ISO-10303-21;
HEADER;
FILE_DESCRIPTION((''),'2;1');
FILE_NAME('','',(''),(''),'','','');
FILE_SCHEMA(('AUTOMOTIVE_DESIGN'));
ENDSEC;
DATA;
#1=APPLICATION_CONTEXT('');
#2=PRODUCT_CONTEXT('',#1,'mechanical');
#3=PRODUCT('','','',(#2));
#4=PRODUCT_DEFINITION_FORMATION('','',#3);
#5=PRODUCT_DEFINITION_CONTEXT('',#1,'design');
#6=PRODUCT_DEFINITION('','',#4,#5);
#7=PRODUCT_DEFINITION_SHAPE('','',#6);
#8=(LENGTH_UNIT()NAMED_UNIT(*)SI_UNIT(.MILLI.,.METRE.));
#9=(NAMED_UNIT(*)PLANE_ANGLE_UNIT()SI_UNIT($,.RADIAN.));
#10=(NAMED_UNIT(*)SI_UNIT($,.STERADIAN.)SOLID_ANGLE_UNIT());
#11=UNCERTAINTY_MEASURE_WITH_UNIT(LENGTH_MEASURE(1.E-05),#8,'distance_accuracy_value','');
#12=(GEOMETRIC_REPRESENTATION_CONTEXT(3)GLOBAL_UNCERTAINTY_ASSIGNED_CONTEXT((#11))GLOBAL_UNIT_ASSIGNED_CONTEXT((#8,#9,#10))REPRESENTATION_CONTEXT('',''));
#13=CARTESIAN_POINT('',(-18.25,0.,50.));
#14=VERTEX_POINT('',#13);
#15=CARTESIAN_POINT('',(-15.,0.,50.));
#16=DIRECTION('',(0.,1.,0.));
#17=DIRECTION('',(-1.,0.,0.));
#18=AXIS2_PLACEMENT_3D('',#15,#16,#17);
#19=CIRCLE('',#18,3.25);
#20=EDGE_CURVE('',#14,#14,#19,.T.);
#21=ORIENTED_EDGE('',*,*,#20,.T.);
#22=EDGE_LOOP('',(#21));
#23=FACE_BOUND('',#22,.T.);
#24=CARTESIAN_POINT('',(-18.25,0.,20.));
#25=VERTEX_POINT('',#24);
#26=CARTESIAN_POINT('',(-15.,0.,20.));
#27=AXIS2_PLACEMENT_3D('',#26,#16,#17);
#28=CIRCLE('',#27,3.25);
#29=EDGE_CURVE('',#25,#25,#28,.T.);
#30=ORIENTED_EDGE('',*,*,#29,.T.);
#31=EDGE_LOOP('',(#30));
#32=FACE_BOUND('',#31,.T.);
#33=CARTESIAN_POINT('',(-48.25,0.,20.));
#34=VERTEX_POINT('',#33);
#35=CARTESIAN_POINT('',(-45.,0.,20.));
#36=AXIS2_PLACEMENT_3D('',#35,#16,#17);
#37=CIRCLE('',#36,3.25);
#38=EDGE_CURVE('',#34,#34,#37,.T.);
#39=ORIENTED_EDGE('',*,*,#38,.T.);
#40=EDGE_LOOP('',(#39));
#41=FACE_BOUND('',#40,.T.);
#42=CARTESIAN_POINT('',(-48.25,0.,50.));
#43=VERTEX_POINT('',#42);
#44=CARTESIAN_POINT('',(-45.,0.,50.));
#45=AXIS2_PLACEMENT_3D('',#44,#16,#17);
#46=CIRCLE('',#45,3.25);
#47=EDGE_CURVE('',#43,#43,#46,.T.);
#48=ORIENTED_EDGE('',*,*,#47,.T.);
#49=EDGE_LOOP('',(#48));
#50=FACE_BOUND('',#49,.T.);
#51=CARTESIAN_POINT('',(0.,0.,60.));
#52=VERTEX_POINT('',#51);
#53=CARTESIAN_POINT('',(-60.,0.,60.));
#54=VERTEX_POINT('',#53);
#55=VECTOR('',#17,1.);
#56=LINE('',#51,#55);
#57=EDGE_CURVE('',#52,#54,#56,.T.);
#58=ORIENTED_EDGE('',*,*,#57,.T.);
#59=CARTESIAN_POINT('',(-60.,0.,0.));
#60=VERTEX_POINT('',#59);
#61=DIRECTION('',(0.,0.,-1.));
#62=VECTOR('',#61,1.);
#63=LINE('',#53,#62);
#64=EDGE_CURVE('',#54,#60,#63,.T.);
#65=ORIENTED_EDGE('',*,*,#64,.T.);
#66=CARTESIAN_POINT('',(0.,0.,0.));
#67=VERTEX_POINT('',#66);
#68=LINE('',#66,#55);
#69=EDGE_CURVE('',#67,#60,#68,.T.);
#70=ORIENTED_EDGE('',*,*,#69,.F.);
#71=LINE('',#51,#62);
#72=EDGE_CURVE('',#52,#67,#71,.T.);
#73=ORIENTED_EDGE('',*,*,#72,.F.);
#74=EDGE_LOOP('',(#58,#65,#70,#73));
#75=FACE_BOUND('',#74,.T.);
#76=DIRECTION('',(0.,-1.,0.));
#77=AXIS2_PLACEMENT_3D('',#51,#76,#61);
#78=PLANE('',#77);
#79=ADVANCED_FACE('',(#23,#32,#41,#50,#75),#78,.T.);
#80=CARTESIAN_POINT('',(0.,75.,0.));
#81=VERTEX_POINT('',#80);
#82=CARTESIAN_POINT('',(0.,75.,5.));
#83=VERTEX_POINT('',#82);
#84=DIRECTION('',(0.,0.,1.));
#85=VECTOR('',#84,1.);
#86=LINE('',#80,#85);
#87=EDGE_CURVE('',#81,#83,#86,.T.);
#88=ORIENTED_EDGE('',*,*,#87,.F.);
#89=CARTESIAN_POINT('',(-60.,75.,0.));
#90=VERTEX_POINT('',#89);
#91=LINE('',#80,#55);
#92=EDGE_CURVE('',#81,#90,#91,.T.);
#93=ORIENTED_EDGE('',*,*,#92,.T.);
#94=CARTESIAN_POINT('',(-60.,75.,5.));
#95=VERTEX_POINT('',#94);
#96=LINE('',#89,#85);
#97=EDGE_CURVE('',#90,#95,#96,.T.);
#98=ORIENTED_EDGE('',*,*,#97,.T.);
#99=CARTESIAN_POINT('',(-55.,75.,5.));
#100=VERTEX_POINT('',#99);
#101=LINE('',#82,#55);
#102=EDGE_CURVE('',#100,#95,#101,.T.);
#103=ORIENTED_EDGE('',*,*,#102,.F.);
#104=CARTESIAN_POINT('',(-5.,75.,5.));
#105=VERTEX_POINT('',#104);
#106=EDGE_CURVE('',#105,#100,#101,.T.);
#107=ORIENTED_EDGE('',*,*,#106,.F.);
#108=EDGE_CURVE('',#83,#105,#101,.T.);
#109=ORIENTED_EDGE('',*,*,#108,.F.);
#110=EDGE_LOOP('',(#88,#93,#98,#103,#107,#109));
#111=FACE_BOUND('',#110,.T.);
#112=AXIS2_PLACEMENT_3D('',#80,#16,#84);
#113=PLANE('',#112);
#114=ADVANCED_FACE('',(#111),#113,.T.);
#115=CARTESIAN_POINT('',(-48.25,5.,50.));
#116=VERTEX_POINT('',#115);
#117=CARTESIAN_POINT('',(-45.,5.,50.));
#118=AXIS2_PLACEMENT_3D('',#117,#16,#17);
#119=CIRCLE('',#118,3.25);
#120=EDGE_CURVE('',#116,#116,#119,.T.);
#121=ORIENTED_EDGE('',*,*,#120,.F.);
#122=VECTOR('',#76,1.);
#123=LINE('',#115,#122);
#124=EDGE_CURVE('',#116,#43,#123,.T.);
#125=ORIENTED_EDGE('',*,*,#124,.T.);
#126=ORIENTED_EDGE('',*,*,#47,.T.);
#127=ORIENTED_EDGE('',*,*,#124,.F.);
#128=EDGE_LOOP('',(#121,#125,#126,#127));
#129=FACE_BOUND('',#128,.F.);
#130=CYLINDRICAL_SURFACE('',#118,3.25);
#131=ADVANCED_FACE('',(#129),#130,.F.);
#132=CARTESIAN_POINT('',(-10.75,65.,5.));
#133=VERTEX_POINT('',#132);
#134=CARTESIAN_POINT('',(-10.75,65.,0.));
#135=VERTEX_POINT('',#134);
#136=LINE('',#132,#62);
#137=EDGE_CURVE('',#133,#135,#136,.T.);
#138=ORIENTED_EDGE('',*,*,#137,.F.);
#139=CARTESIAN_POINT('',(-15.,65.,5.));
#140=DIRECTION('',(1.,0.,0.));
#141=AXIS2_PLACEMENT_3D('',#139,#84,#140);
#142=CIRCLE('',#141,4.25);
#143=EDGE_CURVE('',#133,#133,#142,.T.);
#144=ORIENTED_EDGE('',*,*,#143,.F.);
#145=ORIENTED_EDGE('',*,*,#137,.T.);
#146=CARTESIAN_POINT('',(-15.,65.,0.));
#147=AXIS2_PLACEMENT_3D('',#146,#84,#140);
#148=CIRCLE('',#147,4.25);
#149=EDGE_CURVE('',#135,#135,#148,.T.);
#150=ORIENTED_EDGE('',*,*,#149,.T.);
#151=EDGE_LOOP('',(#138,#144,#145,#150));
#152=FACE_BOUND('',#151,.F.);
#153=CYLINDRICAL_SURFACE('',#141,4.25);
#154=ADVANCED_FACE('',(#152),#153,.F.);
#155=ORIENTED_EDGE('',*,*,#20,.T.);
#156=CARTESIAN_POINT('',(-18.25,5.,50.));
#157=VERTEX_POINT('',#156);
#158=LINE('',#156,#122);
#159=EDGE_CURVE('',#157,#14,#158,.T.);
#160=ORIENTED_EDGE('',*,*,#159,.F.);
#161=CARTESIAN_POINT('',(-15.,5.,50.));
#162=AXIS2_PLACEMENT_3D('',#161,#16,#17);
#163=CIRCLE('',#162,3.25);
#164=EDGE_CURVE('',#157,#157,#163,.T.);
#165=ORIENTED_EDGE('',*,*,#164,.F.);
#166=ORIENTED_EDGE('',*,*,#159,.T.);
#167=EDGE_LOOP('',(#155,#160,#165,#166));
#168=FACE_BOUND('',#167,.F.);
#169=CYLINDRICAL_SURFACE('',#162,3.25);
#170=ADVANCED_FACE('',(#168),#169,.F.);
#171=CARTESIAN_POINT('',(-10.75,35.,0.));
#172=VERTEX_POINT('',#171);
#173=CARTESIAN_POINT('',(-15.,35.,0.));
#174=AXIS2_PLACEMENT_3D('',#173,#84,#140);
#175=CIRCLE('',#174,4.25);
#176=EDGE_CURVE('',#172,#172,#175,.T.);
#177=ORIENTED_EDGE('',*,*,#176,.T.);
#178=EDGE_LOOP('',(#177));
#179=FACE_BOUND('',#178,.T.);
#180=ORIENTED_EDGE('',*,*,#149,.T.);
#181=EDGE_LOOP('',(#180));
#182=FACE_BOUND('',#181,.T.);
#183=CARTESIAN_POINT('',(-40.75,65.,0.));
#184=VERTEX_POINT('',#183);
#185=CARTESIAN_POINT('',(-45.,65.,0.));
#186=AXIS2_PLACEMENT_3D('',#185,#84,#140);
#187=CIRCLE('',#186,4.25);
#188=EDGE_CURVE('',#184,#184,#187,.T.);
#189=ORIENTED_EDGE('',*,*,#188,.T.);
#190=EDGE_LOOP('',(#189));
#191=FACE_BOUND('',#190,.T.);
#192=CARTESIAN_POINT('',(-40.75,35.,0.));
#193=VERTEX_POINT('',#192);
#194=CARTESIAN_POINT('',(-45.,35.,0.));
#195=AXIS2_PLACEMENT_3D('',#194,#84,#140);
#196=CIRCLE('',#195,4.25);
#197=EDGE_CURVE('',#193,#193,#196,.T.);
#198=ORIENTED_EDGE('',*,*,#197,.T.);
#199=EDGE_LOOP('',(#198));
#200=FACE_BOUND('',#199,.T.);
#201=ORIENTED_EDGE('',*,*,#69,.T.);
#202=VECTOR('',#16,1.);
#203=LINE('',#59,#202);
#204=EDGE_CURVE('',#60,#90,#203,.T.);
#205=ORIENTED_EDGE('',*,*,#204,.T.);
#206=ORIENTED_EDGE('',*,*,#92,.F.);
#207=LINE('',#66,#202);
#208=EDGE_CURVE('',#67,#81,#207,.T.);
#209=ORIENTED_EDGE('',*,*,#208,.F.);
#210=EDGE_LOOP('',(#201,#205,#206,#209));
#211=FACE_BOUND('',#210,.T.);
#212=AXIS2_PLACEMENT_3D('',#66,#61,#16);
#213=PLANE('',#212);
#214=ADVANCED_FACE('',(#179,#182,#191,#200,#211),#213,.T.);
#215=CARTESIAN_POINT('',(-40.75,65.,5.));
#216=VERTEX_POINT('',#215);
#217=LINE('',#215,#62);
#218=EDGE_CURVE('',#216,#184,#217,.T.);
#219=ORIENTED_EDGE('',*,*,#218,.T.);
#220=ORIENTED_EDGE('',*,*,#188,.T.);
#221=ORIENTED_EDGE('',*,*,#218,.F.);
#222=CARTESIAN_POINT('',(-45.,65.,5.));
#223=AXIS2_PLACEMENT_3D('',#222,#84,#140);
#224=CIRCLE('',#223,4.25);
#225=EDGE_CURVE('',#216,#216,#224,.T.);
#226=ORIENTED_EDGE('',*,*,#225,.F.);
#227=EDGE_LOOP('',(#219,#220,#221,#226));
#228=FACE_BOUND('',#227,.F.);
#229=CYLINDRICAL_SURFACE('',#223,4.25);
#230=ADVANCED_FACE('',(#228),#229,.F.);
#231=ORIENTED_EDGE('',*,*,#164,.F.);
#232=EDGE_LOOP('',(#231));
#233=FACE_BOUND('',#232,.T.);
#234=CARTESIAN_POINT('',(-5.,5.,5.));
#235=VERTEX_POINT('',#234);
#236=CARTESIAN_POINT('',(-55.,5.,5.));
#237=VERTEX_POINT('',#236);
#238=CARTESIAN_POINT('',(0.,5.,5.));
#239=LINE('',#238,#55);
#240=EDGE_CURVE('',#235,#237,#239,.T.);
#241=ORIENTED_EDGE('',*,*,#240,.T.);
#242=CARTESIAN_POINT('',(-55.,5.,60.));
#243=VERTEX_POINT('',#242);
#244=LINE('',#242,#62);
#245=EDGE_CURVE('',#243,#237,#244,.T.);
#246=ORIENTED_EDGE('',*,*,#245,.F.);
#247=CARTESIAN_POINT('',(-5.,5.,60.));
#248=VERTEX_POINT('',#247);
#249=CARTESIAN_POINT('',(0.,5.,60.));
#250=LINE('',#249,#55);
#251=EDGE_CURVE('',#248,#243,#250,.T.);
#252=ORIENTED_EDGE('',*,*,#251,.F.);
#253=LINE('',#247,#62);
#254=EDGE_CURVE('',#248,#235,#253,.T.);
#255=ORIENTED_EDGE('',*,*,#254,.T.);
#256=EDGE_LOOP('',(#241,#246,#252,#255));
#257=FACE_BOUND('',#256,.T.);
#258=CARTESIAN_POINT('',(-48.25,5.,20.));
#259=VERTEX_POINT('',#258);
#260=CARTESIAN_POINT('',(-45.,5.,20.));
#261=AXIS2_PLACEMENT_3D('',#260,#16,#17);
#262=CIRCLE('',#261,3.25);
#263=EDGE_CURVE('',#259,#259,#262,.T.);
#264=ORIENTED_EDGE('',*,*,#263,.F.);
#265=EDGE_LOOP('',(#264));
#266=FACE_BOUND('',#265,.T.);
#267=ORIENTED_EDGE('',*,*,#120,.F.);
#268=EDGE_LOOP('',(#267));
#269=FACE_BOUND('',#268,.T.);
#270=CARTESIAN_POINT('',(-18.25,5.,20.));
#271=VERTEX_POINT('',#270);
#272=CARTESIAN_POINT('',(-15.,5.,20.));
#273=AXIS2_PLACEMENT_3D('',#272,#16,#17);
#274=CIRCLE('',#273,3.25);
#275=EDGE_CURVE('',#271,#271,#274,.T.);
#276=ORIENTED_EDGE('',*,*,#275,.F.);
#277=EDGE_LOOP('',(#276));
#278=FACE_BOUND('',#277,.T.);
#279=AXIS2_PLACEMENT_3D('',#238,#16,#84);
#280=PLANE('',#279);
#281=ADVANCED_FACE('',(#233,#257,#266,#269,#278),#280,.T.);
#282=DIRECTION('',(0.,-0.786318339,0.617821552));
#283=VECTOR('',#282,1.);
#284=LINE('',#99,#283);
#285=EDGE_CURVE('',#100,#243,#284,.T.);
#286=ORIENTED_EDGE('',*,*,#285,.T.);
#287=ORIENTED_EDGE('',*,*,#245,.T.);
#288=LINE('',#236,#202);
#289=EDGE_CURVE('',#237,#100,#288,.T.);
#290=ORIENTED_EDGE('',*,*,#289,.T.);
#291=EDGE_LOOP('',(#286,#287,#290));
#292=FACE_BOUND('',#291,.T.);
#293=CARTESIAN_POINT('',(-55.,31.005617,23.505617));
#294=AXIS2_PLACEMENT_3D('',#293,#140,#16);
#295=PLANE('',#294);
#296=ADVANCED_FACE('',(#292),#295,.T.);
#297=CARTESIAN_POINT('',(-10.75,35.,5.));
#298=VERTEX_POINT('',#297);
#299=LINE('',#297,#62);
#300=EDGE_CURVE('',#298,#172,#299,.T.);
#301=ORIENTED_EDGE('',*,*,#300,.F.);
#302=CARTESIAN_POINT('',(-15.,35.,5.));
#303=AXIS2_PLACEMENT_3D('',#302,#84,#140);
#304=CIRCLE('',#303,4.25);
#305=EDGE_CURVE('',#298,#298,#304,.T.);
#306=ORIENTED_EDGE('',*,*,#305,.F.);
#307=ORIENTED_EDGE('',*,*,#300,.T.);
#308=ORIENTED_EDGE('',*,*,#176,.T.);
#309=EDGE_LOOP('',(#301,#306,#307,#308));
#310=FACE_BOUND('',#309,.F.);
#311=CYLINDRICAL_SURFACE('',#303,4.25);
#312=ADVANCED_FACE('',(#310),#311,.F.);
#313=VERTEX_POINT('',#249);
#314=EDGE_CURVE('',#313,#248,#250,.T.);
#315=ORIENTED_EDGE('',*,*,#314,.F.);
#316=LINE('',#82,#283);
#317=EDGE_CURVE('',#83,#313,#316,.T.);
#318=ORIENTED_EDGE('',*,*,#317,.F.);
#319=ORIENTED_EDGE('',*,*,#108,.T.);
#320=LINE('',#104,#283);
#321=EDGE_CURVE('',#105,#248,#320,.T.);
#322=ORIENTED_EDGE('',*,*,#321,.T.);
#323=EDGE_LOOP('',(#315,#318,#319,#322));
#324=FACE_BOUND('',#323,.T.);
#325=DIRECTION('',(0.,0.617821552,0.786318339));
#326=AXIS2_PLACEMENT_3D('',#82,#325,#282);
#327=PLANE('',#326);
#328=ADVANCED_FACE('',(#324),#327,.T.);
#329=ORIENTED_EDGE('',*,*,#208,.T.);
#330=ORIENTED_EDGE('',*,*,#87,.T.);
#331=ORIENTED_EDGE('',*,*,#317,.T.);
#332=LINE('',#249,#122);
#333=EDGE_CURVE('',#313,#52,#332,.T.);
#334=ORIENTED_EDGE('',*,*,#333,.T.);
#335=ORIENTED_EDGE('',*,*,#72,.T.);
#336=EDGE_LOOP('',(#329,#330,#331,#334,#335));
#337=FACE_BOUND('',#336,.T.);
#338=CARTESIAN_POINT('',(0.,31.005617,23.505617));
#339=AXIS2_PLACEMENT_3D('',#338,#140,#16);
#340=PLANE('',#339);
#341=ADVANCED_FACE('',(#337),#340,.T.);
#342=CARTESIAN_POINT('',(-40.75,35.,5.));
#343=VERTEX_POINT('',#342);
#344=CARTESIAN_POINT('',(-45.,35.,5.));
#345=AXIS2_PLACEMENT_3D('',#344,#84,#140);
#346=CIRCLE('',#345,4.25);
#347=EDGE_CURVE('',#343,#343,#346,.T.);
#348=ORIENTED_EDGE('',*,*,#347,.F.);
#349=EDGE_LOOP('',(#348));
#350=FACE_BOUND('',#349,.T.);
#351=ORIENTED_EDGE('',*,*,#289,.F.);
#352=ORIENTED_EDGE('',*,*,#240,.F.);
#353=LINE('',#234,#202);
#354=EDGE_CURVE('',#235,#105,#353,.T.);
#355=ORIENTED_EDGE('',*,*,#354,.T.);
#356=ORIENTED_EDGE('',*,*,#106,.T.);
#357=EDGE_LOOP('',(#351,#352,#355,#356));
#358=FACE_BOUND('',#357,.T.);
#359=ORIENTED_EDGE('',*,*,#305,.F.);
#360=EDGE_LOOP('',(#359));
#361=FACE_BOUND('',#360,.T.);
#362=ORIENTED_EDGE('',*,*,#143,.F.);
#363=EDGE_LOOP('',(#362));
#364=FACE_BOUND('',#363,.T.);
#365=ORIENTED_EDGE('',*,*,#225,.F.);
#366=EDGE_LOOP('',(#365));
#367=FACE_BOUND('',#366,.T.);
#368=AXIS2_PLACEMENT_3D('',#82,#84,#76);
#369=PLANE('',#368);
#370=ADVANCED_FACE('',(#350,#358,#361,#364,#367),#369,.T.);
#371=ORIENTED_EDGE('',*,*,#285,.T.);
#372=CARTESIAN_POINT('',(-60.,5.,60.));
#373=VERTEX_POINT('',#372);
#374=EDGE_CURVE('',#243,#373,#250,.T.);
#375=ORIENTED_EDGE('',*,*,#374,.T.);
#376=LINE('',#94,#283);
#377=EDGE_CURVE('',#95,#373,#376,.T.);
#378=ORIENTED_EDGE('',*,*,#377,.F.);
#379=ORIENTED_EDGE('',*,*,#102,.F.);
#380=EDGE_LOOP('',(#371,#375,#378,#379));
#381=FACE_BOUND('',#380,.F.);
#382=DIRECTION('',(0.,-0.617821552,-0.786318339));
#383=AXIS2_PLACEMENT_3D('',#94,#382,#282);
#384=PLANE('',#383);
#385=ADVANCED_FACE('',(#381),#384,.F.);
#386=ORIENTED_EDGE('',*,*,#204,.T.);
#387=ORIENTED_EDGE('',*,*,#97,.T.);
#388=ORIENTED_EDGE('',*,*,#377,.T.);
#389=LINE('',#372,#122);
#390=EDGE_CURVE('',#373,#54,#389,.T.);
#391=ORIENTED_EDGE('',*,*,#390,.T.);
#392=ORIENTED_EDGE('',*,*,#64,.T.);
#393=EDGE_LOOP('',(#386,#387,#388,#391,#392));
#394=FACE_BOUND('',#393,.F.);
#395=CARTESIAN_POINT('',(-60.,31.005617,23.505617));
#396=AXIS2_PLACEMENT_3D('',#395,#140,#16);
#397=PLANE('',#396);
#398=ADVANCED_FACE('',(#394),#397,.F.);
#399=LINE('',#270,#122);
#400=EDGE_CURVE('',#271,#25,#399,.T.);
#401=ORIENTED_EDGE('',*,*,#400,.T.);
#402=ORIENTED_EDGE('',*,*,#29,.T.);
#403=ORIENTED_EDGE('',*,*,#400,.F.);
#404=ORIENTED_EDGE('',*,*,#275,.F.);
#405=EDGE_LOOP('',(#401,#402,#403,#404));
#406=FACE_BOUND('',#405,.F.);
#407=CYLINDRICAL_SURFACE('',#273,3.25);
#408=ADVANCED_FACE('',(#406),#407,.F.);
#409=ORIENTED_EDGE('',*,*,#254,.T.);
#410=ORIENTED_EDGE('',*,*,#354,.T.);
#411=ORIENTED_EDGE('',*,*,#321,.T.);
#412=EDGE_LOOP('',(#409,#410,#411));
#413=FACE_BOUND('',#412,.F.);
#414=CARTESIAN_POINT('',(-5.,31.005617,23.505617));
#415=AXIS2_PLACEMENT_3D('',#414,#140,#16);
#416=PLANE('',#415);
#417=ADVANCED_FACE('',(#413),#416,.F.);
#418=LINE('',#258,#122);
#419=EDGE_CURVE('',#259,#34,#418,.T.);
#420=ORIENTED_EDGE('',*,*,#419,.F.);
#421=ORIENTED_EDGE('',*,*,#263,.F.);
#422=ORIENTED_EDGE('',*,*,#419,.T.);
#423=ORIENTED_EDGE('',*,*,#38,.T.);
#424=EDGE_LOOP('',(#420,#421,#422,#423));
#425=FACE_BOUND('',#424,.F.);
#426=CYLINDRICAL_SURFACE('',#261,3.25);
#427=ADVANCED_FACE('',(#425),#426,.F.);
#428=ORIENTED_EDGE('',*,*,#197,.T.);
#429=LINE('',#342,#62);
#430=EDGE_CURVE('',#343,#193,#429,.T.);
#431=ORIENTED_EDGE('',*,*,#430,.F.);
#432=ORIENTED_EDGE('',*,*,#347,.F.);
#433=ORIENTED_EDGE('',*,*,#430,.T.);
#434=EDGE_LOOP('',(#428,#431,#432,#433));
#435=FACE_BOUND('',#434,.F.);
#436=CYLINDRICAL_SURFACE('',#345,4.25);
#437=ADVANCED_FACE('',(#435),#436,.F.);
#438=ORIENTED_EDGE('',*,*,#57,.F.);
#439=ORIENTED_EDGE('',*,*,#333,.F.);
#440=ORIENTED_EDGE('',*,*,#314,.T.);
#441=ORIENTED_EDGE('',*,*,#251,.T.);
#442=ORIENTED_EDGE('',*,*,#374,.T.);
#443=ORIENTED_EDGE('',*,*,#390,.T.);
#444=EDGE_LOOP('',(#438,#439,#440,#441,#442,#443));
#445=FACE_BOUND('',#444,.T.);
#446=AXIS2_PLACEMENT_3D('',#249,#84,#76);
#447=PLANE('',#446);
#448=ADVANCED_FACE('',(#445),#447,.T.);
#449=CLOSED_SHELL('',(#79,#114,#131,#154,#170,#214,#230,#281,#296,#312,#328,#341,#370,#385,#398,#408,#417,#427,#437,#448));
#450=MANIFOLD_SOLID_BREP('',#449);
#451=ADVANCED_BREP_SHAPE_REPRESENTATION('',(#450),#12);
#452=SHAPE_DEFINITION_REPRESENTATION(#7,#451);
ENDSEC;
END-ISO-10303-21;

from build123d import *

# Parameters (mm, degrees)
F1_DEPTH  = 60
F3_DEPTH  = 5
F6_DEPTH  = 5
F7_R      = 4.25
F8_DEPTH  = 25
F9_R      = 3.25
F10_DEPTH = 25


with BuildPart() as f1:
    # F0 (on Right) → F1 (new body)
    with BuildSketch(Plane.YZ):
        Polygon((0, 60), (0, 0), (75, 0), (75, 5), (5, 5), (5, 60), align=None)
    extrude(amount=-F1_DEPTH)

    # F2 (on Right) → F3 (join)
    with BuildSketch(Plane.YZ):
        Polygon((75, 5), (5, 60), (5, 5), align=None)
    extrude(amount=-F3_DEPTH)

    # F5 (on offset) → F6 (join)
    with BuildSketch(Plane.YZ.offset(-60)):
        Polygon((75, 5), (5, 60), (5, 5), align=None)
    extrude(amount=F6_DEPTH)

    # F7 (on face) → F8 (cut)
    with BuildSketch(Plane.XY.offset(5)):
        with Locations((-15, 35)):
            Circle(F7_R)
        with Locations((-15, 65)):
            Circle(F7_R)
        with Locations((-45, 65)):
            Circle(F7_R)
        with Locations((-45, 35)):
            Circle(F7_R)
    extrude(amount=-F8_DEPTH, mode=Mode.SUBTRACT)

    # F9 (on face) → F10 (cut)
    with BuildSketch(Plane(origin=(0, 5, 0), x_dir=(-1, 0, 0), z_dir=(0, 1, 0))):
        with Locations((45, 20)):
            Circle(F9_R)
        with Locations((45, 50)):
            Circle(F9_R)
        with Locations((15, 50)):
            Circle(F9_R)
        with Locations((15, 20)):
            Circle(F9_R)
    extrude(amount=-F10_DEPTH, mode=Mode.SUBTRACT)


solid = f1.part
